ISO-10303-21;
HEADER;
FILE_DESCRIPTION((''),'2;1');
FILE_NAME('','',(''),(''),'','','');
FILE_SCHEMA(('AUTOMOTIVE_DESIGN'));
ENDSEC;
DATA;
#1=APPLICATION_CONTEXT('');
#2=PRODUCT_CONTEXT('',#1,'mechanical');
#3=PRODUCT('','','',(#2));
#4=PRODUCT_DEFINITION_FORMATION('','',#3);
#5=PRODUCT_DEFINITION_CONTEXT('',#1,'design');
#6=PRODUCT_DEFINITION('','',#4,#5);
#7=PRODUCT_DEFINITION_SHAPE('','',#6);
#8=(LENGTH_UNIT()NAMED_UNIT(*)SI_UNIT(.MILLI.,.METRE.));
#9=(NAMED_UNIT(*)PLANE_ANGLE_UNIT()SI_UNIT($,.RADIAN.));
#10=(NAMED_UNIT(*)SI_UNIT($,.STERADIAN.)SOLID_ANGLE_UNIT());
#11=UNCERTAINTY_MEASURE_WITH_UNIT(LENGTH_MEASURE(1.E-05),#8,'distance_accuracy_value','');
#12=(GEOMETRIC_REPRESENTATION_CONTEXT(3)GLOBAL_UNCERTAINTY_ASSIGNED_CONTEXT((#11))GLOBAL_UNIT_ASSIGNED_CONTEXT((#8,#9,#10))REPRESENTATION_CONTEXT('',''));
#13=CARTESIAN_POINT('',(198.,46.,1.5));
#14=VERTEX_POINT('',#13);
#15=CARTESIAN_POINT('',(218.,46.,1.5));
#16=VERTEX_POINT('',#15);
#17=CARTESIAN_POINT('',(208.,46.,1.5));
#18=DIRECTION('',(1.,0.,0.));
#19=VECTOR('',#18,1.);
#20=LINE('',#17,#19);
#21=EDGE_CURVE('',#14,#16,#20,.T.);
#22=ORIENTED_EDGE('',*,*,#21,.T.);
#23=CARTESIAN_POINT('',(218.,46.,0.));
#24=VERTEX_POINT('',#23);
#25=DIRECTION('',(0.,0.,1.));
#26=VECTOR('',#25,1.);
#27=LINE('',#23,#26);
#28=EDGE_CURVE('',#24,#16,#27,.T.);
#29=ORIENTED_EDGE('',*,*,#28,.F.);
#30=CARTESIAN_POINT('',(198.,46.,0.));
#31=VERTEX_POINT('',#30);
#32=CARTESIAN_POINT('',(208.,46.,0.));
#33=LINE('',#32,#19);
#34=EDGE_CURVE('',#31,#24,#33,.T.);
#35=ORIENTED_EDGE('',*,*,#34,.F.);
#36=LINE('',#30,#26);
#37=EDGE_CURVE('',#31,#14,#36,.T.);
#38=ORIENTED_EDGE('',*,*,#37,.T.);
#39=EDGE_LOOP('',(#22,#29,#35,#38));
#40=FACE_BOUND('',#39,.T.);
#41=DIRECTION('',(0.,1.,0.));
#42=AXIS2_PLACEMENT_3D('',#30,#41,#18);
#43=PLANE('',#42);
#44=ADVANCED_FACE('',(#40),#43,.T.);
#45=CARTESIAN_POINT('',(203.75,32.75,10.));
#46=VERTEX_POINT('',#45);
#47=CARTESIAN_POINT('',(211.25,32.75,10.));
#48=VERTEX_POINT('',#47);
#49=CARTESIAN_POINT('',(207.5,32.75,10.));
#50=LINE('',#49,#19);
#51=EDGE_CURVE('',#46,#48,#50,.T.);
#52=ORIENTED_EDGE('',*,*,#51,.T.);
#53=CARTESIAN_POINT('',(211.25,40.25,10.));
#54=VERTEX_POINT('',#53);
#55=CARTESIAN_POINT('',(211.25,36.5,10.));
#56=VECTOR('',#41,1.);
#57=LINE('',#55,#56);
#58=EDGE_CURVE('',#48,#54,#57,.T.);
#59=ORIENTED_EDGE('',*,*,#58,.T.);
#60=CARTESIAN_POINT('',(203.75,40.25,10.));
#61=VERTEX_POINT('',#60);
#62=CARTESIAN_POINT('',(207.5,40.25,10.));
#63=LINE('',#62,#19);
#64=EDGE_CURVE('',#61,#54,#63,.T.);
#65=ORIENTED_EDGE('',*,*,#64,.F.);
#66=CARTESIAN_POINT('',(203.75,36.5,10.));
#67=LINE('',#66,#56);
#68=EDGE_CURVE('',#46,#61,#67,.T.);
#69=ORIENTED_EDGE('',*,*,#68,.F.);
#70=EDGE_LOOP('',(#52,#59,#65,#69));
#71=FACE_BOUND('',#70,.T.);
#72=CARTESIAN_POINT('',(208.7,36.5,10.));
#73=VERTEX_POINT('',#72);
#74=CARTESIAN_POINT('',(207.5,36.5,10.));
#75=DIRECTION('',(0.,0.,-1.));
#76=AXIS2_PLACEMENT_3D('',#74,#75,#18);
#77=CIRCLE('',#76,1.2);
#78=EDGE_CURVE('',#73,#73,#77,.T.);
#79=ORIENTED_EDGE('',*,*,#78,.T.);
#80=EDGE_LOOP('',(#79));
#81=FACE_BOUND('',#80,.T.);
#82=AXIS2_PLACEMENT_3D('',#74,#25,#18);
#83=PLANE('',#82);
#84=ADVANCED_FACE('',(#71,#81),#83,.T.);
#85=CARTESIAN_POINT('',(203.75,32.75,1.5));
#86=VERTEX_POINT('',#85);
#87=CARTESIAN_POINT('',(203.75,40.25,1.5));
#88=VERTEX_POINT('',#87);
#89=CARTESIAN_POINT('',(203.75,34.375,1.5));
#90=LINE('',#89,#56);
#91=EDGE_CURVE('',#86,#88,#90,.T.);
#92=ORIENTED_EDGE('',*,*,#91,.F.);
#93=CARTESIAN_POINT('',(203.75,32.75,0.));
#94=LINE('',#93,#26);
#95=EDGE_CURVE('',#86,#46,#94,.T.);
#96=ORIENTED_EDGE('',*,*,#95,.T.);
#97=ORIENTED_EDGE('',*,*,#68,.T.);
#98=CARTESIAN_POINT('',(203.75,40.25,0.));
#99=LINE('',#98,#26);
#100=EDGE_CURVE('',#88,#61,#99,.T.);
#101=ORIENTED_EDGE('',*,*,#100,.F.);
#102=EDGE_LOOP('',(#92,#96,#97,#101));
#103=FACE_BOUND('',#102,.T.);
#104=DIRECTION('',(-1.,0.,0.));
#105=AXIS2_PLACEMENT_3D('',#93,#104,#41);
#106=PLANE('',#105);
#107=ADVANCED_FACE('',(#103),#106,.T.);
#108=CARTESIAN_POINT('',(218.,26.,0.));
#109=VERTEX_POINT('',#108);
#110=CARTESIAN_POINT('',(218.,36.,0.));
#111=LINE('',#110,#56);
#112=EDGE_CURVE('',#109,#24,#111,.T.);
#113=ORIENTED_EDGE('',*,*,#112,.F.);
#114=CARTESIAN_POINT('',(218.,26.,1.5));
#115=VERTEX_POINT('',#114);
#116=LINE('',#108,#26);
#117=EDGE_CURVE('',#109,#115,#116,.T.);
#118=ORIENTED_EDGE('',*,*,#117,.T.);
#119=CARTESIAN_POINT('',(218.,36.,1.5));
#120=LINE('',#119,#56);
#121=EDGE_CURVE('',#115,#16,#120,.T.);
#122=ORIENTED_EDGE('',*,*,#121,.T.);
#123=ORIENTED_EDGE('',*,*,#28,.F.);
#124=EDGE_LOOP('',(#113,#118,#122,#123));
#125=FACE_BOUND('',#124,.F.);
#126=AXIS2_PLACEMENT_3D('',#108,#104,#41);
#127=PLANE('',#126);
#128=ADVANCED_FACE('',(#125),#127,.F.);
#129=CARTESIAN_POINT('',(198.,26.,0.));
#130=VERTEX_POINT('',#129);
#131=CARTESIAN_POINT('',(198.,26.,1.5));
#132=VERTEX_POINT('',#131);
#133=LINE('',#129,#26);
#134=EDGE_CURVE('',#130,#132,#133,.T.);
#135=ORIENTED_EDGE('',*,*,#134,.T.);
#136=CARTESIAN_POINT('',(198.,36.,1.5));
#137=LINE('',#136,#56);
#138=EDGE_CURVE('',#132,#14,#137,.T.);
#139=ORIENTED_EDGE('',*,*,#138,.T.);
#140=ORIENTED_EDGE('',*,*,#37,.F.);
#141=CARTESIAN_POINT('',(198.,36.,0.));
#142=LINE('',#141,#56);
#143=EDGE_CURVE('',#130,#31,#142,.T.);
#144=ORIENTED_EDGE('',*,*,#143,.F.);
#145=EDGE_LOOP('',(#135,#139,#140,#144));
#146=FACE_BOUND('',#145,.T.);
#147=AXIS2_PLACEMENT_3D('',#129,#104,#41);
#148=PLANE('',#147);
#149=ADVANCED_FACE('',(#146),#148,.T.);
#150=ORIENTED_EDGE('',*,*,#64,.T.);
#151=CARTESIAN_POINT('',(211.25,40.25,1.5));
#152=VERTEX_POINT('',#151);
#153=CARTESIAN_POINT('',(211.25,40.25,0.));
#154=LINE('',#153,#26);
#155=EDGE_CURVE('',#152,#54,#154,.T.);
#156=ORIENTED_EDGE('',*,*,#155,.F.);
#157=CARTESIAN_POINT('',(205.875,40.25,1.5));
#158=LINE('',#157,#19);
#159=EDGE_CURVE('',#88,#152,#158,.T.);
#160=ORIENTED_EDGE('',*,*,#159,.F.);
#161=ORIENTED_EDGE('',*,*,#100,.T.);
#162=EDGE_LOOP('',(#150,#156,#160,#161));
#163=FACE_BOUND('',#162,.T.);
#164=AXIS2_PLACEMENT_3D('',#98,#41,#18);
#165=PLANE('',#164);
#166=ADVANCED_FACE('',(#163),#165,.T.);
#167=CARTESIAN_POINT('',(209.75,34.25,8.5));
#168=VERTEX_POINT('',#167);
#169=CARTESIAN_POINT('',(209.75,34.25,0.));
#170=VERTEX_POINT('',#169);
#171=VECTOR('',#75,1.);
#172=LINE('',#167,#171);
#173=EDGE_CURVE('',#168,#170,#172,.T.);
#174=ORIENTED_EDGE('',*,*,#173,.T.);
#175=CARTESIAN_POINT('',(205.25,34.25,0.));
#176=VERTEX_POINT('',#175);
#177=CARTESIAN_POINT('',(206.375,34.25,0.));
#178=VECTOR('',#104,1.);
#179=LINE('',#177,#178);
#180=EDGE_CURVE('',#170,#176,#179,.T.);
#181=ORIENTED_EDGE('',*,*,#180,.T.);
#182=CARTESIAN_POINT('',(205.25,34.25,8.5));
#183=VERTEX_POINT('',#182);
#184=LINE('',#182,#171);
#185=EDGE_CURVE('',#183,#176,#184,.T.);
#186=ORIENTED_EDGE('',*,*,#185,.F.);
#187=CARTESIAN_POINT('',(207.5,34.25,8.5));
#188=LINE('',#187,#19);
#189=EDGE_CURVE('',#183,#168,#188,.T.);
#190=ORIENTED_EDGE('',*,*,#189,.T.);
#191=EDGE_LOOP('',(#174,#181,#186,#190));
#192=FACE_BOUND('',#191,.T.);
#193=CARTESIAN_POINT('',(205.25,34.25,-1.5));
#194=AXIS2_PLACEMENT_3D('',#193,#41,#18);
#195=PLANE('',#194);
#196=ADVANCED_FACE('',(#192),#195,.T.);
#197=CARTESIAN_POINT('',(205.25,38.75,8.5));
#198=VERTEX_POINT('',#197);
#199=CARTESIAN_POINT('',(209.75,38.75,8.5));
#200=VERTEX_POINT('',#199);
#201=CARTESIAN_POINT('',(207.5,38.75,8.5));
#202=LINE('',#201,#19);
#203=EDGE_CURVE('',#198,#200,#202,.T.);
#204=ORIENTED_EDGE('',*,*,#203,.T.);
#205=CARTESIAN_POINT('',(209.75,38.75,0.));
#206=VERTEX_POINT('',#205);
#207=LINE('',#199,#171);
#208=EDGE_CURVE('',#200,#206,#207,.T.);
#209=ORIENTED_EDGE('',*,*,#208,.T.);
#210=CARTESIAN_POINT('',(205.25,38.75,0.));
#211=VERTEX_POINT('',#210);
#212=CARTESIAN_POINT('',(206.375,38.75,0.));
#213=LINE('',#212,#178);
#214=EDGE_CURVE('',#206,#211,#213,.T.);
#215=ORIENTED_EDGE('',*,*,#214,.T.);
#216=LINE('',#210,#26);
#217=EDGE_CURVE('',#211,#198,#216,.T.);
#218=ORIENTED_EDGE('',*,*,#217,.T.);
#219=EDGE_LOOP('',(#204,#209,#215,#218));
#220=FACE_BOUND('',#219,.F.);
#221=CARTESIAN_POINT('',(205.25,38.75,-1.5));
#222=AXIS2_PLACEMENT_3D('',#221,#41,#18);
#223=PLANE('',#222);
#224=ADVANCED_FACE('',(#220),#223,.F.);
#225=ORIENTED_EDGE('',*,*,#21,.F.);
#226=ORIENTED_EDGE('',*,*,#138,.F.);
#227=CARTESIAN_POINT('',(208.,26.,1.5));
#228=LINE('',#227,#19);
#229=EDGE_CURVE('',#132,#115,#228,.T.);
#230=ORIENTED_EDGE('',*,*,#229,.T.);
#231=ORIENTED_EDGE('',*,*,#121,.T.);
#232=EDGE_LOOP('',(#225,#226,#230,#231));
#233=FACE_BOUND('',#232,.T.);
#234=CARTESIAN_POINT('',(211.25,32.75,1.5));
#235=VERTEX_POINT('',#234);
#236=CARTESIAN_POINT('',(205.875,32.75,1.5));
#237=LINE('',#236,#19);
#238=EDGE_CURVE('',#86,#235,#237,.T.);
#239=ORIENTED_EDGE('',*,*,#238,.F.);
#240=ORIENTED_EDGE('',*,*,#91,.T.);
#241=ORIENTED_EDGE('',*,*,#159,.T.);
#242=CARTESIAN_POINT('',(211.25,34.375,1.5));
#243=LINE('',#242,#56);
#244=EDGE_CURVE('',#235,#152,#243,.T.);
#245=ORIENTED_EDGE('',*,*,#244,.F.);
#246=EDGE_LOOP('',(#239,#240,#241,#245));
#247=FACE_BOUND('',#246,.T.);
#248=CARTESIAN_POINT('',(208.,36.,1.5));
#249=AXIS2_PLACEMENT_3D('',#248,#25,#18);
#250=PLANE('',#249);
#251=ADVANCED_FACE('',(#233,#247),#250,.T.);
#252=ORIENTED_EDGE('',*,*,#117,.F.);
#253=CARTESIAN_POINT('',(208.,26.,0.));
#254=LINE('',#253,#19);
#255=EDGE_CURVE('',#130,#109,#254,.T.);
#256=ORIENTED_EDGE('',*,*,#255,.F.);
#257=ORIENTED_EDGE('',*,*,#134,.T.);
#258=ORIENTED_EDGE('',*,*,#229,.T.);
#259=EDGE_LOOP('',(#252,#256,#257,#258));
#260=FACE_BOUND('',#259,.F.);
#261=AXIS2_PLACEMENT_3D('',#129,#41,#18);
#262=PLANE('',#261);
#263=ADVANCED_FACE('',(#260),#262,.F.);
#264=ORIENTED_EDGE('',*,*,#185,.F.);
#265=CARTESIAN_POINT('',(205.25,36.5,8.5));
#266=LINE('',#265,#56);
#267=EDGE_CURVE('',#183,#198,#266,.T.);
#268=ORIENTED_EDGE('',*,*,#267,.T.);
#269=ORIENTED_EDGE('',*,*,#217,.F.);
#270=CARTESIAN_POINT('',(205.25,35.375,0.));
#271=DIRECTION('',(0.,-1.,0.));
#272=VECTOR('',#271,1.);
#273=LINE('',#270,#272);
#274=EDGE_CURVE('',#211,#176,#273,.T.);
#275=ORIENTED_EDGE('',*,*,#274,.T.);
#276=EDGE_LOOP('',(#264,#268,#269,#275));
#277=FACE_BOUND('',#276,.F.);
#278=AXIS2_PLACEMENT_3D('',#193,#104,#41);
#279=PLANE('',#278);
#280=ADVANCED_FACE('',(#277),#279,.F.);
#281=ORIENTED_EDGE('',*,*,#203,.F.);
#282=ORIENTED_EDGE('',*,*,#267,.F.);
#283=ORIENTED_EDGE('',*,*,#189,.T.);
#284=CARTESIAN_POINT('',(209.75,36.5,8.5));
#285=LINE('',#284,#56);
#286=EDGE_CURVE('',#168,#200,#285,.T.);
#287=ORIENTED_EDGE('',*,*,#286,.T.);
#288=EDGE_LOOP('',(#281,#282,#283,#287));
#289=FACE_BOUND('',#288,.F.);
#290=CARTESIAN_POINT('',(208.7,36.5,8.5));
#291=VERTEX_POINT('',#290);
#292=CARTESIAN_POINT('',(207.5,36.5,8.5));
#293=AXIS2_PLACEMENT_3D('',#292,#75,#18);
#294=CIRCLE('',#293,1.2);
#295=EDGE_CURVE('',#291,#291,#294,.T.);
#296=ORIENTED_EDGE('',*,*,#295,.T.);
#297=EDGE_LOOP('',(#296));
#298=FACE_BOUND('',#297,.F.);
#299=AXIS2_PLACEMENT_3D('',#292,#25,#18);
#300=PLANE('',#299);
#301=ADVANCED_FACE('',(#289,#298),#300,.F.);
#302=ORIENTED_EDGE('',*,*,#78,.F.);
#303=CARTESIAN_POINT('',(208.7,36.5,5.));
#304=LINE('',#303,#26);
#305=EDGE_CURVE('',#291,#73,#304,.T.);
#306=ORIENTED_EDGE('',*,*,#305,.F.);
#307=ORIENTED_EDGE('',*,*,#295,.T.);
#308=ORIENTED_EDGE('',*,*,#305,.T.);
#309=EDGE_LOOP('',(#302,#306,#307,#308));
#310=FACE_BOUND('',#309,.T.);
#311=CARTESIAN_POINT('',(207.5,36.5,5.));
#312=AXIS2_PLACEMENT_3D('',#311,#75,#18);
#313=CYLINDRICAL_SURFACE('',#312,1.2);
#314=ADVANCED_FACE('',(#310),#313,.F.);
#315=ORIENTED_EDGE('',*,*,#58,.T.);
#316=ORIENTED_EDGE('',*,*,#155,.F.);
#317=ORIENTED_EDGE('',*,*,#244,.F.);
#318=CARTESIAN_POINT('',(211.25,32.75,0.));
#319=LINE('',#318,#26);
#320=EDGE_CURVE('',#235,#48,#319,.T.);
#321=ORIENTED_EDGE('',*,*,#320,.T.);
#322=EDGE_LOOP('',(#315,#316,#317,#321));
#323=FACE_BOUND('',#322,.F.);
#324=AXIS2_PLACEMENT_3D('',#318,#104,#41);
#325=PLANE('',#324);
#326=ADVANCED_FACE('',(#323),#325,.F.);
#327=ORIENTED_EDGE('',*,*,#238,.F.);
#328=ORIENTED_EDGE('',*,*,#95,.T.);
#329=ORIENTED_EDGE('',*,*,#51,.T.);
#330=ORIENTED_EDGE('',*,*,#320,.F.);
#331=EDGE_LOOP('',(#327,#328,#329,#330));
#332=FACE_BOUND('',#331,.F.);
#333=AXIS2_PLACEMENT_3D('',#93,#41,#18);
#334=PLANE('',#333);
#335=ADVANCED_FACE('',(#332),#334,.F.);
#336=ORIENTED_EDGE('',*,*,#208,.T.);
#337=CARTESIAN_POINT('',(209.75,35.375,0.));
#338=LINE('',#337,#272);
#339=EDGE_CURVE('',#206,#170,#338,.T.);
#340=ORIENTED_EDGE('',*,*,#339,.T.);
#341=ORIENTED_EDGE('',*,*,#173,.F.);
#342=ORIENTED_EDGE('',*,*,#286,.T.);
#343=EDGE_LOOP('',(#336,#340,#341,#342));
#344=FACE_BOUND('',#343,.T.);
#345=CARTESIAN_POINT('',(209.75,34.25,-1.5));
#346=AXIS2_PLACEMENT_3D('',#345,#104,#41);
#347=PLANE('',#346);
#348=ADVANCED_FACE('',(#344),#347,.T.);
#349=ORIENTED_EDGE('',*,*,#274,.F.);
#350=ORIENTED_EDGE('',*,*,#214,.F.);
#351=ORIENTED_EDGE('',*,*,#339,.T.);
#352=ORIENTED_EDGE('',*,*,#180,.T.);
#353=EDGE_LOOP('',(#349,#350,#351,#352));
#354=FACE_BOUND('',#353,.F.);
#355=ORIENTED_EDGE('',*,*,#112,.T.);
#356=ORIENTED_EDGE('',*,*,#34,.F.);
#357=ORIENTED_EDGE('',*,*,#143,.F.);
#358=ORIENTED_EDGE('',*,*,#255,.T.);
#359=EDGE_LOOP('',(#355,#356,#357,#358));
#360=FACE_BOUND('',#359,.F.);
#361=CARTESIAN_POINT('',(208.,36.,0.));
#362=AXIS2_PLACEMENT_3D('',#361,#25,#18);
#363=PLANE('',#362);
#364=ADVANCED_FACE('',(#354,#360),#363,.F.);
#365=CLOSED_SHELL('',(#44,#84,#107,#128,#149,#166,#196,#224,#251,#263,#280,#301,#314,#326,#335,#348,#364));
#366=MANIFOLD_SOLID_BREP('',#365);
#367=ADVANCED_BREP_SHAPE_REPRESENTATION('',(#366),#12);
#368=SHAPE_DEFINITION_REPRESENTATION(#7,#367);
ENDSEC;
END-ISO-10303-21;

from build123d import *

# Parameters (mm, degrees)
BOX049_W          = 4.5
BOX049_H          = 4.5
BOX049_DEPTH      = 10
BOX048_W          = 20
BOX048_H          = 20
BOX048_DEPTH      = 1.5
CYLINDER034_R     = 1.2
CYLINDER034_DEPTH = 10
BOX047_W          = 4.5
BOX047_H          = 4.5
BOX047_DEPTH      = 10
BOX046_W          = 7.5
BOX046_H          = 7.5
BOX046_DEPTH      = 10


with BuildPart() as cube049:
    # Box049 → Box049 (new body)
    with BuildSketch(Plane(origin=(205.25, 34.25, -5), x_dir=(1, 0, 0), z_dir=(0, 0, 1))):
        with Locations((2.25, 2.25)):
            Rectangle(BOX049_W, BOX049_H)
    extrude(amount=BOX049_DEPTH)


with BuildPart() as cut057:
    # Box048 → Box048 (new body)
    with BuildSketch(Plane(origin=(198, 26, 0), x_dir=(1, 0, 0), z_dir=(0, 0, 1))):
        with Locations((10, 10)):
            Rectangle(BOX048_W, BOX048_H)
    extrude(amount=BOX048_DEPTH)

    # Cut057: cut Cube049
    add(cube049.part, mode=Mode.SUBTRACT)


with BuildPart() as cylinder034:
    # Cylinder034 → Cylinder034 (new body)
    with BuildSketch(Plane(origin=(7.5, 16.5, 105), x_dir=(1, 0, 0), z_dir=(0, 0, 1))):
        Circle(CYLINDER034_R)
    extrude(amount=CYLINDER034_DEPTH)


with BuildPart() as cube047:
    # Box047 → Box047 (new body)
    with BuildSketch(Plane(origin=(5.25, 14.25, 98.5), x_dir=(1, 0, 0), z_dir=(0, 0, 1))):
        with Locations((2.25, 2.25)):
            Rectangle(BOX047_W, BOX047_H)
    extrude(amount=BOX047_DEPTH)


with BuildPart() as testpcbmount:
    # Box046 → Box046 (new body)
    with BuildSketch(Plane(origin=(3.75, 12.75, 100), x_dir=(1, 0, 0), z_dir=(0, 0, 1))):
        with Locations((3.75, 3.75)):
            Rectangle(BOX046_W, BOX046_H)
    extrude(amount=BOX046_DEPTH)

    # Cut055: cut Cube047
    add(cube047.part, mode=Mode.SUBTRACT)

    # Cut056: cut Cylinder034
    add(cylinder034.part, mode=Mode.SUBTRACT)


with BuildPart() as testpcbmount_1:
    # Cut056 placement: moved
    add(testpcbmount.part.moved(Location((200, 20, -100))))

    # Connect006: union Cut057
    add(cut057.part)


solid = testpcbmount_1.part
